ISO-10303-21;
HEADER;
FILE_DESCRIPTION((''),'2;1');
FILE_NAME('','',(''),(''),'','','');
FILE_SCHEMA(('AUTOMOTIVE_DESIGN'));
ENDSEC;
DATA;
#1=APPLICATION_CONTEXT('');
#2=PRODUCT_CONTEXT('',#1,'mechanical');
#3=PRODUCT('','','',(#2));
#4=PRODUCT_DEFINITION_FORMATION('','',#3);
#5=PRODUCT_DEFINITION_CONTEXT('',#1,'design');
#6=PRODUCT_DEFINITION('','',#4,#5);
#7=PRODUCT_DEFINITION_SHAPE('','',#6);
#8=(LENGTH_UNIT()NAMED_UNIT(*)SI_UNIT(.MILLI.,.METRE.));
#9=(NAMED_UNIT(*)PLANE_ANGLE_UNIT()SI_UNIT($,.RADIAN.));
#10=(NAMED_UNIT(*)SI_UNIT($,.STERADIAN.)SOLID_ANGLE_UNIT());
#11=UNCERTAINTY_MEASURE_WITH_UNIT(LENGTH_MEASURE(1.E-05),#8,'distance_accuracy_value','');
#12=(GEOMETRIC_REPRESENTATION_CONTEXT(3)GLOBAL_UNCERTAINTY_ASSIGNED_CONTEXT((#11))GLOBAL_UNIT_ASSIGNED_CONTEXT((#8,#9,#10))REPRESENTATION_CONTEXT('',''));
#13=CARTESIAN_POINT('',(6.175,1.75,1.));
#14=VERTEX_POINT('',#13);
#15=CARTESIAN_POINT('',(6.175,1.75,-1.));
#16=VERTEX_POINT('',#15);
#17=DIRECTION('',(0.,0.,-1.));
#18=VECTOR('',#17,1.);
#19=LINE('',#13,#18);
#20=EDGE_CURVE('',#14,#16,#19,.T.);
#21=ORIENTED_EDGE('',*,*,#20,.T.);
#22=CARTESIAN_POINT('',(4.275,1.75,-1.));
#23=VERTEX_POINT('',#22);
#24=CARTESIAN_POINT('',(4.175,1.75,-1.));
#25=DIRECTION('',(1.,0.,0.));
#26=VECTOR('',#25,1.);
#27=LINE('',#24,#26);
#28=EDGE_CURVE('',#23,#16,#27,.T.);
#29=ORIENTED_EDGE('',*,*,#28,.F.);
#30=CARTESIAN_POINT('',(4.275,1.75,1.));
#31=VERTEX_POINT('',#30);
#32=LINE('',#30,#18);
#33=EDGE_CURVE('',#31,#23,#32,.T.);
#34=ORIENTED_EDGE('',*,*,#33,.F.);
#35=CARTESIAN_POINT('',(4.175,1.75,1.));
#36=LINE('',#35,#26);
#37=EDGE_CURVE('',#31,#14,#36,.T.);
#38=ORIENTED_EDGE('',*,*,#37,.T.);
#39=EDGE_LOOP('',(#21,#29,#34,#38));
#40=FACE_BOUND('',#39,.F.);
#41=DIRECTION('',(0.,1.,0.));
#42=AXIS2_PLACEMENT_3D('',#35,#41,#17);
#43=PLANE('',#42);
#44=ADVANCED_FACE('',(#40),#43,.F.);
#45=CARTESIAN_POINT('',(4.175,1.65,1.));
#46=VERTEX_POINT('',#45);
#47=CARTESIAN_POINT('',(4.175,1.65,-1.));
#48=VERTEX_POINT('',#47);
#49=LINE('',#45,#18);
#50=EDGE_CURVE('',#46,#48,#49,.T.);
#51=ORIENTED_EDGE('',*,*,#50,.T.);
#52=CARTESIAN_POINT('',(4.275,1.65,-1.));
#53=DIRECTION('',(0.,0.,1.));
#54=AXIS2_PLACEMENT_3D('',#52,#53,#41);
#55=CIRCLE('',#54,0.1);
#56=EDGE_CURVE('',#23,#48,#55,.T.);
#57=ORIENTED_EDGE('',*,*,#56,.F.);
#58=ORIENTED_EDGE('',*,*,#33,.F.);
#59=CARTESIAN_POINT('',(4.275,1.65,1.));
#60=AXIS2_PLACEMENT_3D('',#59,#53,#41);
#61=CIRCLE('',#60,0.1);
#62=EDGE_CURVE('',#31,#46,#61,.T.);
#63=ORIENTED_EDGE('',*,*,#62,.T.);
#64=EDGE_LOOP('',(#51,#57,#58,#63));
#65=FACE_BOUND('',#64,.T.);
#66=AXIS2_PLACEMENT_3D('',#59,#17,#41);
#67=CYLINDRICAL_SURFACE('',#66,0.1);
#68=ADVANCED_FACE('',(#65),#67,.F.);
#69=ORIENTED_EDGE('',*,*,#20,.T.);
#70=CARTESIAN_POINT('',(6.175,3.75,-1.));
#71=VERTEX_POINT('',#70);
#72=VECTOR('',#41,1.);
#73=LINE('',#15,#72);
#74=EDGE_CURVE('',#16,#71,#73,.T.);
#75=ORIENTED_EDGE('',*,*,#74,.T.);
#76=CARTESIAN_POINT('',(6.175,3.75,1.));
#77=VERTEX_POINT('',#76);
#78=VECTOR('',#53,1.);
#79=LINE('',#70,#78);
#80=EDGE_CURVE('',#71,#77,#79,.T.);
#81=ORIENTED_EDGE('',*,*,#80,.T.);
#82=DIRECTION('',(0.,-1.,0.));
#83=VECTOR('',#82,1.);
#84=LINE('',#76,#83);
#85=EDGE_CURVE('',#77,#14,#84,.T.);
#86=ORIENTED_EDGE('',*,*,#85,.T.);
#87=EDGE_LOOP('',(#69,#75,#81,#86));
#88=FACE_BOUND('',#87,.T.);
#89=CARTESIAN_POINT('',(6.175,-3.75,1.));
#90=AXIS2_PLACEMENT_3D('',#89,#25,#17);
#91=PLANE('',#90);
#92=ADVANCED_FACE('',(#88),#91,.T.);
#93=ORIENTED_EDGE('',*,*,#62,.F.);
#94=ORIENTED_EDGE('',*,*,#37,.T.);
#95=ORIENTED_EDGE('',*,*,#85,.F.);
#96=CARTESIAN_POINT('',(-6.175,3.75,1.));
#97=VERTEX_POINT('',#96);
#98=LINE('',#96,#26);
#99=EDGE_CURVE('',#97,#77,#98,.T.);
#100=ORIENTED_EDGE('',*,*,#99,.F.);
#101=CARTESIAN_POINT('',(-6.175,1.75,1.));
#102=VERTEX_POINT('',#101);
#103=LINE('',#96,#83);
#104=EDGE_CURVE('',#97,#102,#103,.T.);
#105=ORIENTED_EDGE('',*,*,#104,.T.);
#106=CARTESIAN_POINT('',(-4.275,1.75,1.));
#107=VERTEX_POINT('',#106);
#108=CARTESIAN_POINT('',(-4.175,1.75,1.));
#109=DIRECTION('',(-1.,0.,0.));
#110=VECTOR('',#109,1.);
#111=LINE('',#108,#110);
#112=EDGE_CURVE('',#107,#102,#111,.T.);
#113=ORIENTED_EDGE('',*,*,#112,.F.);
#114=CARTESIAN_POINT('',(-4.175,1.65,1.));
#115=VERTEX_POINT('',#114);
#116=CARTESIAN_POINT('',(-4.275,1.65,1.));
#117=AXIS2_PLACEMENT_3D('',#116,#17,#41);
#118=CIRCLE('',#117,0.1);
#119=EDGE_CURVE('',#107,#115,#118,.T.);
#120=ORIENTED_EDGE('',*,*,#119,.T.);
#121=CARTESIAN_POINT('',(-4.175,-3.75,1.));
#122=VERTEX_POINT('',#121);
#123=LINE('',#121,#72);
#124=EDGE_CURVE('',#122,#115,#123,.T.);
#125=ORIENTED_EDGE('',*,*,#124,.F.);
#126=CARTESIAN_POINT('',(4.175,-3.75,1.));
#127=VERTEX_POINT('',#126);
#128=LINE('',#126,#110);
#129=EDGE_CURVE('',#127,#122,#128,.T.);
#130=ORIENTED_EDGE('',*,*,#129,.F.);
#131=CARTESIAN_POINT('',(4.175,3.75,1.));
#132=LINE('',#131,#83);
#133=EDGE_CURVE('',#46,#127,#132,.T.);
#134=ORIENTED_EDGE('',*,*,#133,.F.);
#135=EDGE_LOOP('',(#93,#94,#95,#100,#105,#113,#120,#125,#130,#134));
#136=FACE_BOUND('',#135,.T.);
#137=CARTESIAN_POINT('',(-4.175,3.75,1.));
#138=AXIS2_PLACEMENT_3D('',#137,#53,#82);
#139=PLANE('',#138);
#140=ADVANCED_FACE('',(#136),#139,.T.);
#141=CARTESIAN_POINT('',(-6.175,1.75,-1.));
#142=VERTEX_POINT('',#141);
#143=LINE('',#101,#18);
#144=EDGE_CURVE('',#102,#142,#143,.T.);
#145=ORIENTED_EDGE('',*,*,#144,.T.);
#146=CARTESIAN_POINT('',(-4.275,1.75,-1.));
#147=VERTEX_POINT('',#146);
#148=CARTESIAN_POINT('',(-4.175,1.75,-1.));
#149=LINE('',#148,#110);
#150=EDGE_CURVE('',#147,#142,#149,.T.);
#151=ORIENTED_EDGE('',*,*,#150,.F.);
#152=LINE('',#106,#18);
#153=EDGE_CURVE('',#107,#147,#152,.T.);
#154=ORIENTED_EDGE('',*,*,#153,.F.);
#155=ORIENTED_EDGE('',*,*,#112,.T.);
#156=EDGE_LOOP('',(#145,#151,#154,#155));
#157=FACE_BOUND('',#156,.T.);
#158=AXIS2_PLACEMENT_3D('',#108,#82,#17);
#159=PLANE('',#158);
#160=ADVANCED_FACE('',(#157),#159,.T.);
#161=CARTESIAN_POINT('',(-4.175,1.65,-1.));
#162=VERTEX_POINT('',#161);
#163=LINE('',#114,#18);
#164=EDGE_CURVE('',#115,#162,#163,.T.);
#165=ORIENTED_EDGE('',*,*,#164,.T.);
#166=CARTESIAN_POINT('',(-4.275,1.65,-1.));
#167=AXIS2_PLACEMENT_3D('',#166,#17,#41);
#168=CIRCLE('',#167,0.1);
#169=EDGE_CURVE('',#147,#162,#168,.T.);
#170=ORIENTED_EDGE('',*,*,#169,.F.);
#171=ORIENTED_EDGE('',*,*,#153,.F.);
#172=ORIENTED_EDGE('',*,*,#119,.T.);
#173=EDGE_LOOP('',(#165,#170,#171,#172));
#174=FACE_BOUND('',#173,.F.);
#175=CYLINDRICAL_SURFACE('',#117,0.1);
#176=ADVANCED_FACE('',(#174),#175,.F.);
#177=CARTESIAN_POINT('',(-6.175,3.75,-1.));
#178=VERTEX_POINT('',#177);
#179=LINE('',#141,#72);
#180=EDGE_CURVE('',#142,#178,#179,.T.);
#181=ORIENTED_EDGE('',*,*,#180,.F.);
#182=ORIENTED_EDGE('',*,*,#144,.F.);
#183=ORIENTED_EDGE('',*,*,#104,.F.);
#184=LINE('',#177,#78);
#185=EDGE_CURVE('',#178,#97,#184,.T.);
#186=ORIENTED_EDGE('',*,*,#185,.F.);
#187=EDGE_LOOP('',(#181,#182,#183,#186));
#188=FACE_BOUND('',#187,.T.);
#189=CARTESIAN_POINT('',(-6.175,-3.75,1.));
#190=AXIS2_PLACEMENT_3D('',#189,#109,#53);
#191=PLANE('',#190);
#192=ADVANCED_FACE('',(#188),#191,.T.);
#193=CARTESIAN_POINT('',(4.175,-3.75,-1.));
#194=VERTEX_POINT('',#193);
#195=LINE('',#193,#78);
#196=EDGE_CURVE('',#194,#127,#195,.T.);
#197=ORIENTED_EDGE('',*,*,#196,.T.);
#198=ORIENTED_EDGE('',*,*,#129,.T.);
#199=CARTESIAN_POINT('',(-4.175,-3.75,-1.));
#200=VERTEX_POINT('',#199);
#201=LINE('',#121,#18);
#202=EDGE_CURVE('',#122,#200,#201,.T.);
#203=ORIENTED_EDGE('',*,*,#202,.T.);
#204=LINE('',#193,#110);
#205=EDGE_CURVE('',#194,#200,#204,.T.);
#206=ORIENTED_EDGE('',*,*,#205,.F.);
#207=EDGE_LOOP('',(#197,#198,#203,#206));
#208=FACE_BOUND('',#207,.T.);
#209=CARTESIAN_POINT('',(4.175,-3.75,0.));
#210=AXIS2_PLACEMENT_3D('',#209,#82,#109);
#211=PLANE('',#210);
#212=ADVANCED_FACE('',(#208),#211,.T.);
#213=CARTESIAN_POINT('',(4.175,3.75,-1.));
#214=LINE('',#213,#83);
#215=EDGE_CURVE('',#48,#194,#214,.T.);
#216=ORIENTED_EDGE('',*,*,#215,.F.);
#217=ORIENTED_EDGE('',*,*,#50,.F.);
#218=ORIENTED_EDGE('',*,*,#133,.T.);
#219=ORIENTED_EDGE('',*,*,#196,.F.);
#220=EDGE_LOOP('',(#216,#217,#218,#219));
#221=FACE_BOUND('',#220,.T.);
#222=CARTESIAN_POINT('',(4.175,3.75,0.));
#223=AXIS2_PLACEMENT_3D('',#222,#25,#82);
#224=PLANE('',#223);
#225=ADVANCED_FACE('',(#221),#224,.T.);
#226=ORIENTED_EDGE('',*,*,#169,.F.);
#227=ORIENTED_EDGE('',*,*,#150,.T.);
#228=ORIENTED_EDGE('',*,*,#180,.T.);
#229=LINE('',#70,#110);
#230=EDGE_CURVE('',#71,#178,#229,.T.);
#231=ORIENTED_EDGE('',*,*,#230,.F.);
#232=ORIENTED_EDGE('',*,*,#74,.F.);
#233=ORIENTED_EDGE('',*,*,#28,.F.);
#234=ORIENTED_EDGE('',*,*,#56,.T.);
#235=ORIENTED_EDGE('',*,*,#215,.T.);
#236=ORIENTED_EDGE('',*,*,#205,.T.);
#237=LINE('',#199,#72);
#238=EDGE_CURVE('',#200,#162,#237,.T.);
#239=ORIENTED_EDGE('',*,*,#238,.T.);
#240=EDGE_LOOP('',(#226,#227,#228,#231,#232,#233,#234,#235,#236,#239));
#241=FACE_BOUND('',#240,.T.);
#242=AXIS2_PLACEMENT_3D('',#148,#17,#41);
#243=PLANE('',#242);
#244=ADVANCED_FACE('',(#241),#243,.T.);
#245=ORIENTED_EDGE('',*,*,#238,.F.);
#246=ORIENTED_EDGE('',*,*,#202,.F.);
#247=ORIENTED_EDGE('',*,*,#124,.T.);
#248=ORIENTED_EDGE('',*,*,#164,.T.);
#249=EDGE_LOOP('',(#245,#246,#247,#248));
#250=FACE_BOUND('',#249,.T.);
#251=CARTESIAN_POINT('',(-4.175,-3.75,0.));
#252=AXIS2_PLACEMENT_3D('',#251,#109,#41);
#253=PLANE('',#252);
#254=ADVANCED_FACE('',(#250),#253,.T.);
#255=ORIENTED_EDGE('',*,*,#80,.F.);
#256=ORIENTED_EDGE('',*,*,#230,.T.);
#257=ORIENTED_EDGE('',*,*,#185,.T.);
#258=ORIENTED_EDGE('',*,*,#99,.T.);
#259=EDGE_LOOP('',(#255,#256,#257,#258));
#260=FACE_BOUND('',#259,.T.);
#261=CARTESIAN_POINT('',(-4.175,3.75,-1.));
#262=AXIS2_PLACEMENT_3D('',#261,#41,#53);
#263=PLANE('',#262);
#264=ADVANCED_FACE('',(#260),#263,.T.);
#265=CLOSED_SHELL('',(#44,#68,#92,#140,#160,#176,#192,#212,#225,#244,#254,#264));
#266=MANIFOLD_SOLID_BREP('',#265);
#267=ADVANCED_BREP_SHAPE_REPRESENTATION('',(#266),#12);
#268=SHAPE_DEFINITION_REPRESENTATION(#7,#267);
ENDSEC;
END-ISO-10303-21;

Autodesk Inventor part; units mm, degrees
ref_plane "YZ Plane" through (0, 0, 0) normal (1, 0, 0) x (0, 1, 0)
ref_plane "XZ Plane" through (0, 0, 0) normal (0, 1, 0) x (-1, 0, 0)
ref_plane "XY Plane" through (0, 0, 0) normal (0, 0, 1) x (1, 0, 0)
sketch "Sketch1" plane through (0, 0, 0) normal (0, 0, 1) x (1, 0, 0)
  line L0 (4.175, -3.75) -> (-4.175, -3.75)
  line L1 (-4.175, -3.75) -> (-4.175, 3.75)
  line L2 (-4.175, 3.75) -> (4.175, 3.75)
  line L3 (4.175, 3.75) -> (4.175, -3.75)
  line L4 (4.175, -3.75) -> (-4.175, 3.75) construction
  line L5 (-4.175, -3.75) -> (4.175, 3.75) construction
  point P0 (0, 0)
  dimension "d0" = 8.35
  dimension "d1" = 7.5
extrude "Extrusion1" add sketch "Sketch1" along normal mid plane 2
sketch "Sketch2" plane through (4.175, -3.75, 1) normal (1, 0, 0) x (0, 0, -1)
  line L0 (2, 7.5) -> (0, 7.5) projected
  line L1 (2, 7.5) -> (0, 7.5)
  line L2 (0, 7.5) -> (0, 5.5)
  line L3 (0, 5.5) -> (2, 5.5)
  line L4 (2, 5.5) -> (2, 7.5)
  point P0 (1, 3.75)
  dimension "d4" = 2
  dimension "d5" = 2
extrude "Extrusion2" add sketch "Sketch2" along normal blind 2
sketch "Sketch3" plane through (-4.175, -3.75, 1) normal (-1, 0, 0) x (0, 0, 1)
  line L0 (-2, 7.5) -> (0, 7.5) projected
  line L1 (0, 7.5) -> (0, 0) projected
  line L2 (-2, 7.5) -> (0, 7.5)
  line L3 (0, 7.5) -> (0, 5.5)
  line L4 (0, 5.5) -> (-2, 5.5)
  line L5 (-2, 5.5) -> (-2, 7.5)
  point P0 (-1, 3.75)
  dimension "d8" = 2
extrude "Extrusion3" add sketch "Sketch3" along normal blind 2
fillet "Fillet1" radius 0.1 2 edges at (4.175, 1.75, 0) (-4.175, 1.75, 0)
properties part number "Tapa_2_TFM"
